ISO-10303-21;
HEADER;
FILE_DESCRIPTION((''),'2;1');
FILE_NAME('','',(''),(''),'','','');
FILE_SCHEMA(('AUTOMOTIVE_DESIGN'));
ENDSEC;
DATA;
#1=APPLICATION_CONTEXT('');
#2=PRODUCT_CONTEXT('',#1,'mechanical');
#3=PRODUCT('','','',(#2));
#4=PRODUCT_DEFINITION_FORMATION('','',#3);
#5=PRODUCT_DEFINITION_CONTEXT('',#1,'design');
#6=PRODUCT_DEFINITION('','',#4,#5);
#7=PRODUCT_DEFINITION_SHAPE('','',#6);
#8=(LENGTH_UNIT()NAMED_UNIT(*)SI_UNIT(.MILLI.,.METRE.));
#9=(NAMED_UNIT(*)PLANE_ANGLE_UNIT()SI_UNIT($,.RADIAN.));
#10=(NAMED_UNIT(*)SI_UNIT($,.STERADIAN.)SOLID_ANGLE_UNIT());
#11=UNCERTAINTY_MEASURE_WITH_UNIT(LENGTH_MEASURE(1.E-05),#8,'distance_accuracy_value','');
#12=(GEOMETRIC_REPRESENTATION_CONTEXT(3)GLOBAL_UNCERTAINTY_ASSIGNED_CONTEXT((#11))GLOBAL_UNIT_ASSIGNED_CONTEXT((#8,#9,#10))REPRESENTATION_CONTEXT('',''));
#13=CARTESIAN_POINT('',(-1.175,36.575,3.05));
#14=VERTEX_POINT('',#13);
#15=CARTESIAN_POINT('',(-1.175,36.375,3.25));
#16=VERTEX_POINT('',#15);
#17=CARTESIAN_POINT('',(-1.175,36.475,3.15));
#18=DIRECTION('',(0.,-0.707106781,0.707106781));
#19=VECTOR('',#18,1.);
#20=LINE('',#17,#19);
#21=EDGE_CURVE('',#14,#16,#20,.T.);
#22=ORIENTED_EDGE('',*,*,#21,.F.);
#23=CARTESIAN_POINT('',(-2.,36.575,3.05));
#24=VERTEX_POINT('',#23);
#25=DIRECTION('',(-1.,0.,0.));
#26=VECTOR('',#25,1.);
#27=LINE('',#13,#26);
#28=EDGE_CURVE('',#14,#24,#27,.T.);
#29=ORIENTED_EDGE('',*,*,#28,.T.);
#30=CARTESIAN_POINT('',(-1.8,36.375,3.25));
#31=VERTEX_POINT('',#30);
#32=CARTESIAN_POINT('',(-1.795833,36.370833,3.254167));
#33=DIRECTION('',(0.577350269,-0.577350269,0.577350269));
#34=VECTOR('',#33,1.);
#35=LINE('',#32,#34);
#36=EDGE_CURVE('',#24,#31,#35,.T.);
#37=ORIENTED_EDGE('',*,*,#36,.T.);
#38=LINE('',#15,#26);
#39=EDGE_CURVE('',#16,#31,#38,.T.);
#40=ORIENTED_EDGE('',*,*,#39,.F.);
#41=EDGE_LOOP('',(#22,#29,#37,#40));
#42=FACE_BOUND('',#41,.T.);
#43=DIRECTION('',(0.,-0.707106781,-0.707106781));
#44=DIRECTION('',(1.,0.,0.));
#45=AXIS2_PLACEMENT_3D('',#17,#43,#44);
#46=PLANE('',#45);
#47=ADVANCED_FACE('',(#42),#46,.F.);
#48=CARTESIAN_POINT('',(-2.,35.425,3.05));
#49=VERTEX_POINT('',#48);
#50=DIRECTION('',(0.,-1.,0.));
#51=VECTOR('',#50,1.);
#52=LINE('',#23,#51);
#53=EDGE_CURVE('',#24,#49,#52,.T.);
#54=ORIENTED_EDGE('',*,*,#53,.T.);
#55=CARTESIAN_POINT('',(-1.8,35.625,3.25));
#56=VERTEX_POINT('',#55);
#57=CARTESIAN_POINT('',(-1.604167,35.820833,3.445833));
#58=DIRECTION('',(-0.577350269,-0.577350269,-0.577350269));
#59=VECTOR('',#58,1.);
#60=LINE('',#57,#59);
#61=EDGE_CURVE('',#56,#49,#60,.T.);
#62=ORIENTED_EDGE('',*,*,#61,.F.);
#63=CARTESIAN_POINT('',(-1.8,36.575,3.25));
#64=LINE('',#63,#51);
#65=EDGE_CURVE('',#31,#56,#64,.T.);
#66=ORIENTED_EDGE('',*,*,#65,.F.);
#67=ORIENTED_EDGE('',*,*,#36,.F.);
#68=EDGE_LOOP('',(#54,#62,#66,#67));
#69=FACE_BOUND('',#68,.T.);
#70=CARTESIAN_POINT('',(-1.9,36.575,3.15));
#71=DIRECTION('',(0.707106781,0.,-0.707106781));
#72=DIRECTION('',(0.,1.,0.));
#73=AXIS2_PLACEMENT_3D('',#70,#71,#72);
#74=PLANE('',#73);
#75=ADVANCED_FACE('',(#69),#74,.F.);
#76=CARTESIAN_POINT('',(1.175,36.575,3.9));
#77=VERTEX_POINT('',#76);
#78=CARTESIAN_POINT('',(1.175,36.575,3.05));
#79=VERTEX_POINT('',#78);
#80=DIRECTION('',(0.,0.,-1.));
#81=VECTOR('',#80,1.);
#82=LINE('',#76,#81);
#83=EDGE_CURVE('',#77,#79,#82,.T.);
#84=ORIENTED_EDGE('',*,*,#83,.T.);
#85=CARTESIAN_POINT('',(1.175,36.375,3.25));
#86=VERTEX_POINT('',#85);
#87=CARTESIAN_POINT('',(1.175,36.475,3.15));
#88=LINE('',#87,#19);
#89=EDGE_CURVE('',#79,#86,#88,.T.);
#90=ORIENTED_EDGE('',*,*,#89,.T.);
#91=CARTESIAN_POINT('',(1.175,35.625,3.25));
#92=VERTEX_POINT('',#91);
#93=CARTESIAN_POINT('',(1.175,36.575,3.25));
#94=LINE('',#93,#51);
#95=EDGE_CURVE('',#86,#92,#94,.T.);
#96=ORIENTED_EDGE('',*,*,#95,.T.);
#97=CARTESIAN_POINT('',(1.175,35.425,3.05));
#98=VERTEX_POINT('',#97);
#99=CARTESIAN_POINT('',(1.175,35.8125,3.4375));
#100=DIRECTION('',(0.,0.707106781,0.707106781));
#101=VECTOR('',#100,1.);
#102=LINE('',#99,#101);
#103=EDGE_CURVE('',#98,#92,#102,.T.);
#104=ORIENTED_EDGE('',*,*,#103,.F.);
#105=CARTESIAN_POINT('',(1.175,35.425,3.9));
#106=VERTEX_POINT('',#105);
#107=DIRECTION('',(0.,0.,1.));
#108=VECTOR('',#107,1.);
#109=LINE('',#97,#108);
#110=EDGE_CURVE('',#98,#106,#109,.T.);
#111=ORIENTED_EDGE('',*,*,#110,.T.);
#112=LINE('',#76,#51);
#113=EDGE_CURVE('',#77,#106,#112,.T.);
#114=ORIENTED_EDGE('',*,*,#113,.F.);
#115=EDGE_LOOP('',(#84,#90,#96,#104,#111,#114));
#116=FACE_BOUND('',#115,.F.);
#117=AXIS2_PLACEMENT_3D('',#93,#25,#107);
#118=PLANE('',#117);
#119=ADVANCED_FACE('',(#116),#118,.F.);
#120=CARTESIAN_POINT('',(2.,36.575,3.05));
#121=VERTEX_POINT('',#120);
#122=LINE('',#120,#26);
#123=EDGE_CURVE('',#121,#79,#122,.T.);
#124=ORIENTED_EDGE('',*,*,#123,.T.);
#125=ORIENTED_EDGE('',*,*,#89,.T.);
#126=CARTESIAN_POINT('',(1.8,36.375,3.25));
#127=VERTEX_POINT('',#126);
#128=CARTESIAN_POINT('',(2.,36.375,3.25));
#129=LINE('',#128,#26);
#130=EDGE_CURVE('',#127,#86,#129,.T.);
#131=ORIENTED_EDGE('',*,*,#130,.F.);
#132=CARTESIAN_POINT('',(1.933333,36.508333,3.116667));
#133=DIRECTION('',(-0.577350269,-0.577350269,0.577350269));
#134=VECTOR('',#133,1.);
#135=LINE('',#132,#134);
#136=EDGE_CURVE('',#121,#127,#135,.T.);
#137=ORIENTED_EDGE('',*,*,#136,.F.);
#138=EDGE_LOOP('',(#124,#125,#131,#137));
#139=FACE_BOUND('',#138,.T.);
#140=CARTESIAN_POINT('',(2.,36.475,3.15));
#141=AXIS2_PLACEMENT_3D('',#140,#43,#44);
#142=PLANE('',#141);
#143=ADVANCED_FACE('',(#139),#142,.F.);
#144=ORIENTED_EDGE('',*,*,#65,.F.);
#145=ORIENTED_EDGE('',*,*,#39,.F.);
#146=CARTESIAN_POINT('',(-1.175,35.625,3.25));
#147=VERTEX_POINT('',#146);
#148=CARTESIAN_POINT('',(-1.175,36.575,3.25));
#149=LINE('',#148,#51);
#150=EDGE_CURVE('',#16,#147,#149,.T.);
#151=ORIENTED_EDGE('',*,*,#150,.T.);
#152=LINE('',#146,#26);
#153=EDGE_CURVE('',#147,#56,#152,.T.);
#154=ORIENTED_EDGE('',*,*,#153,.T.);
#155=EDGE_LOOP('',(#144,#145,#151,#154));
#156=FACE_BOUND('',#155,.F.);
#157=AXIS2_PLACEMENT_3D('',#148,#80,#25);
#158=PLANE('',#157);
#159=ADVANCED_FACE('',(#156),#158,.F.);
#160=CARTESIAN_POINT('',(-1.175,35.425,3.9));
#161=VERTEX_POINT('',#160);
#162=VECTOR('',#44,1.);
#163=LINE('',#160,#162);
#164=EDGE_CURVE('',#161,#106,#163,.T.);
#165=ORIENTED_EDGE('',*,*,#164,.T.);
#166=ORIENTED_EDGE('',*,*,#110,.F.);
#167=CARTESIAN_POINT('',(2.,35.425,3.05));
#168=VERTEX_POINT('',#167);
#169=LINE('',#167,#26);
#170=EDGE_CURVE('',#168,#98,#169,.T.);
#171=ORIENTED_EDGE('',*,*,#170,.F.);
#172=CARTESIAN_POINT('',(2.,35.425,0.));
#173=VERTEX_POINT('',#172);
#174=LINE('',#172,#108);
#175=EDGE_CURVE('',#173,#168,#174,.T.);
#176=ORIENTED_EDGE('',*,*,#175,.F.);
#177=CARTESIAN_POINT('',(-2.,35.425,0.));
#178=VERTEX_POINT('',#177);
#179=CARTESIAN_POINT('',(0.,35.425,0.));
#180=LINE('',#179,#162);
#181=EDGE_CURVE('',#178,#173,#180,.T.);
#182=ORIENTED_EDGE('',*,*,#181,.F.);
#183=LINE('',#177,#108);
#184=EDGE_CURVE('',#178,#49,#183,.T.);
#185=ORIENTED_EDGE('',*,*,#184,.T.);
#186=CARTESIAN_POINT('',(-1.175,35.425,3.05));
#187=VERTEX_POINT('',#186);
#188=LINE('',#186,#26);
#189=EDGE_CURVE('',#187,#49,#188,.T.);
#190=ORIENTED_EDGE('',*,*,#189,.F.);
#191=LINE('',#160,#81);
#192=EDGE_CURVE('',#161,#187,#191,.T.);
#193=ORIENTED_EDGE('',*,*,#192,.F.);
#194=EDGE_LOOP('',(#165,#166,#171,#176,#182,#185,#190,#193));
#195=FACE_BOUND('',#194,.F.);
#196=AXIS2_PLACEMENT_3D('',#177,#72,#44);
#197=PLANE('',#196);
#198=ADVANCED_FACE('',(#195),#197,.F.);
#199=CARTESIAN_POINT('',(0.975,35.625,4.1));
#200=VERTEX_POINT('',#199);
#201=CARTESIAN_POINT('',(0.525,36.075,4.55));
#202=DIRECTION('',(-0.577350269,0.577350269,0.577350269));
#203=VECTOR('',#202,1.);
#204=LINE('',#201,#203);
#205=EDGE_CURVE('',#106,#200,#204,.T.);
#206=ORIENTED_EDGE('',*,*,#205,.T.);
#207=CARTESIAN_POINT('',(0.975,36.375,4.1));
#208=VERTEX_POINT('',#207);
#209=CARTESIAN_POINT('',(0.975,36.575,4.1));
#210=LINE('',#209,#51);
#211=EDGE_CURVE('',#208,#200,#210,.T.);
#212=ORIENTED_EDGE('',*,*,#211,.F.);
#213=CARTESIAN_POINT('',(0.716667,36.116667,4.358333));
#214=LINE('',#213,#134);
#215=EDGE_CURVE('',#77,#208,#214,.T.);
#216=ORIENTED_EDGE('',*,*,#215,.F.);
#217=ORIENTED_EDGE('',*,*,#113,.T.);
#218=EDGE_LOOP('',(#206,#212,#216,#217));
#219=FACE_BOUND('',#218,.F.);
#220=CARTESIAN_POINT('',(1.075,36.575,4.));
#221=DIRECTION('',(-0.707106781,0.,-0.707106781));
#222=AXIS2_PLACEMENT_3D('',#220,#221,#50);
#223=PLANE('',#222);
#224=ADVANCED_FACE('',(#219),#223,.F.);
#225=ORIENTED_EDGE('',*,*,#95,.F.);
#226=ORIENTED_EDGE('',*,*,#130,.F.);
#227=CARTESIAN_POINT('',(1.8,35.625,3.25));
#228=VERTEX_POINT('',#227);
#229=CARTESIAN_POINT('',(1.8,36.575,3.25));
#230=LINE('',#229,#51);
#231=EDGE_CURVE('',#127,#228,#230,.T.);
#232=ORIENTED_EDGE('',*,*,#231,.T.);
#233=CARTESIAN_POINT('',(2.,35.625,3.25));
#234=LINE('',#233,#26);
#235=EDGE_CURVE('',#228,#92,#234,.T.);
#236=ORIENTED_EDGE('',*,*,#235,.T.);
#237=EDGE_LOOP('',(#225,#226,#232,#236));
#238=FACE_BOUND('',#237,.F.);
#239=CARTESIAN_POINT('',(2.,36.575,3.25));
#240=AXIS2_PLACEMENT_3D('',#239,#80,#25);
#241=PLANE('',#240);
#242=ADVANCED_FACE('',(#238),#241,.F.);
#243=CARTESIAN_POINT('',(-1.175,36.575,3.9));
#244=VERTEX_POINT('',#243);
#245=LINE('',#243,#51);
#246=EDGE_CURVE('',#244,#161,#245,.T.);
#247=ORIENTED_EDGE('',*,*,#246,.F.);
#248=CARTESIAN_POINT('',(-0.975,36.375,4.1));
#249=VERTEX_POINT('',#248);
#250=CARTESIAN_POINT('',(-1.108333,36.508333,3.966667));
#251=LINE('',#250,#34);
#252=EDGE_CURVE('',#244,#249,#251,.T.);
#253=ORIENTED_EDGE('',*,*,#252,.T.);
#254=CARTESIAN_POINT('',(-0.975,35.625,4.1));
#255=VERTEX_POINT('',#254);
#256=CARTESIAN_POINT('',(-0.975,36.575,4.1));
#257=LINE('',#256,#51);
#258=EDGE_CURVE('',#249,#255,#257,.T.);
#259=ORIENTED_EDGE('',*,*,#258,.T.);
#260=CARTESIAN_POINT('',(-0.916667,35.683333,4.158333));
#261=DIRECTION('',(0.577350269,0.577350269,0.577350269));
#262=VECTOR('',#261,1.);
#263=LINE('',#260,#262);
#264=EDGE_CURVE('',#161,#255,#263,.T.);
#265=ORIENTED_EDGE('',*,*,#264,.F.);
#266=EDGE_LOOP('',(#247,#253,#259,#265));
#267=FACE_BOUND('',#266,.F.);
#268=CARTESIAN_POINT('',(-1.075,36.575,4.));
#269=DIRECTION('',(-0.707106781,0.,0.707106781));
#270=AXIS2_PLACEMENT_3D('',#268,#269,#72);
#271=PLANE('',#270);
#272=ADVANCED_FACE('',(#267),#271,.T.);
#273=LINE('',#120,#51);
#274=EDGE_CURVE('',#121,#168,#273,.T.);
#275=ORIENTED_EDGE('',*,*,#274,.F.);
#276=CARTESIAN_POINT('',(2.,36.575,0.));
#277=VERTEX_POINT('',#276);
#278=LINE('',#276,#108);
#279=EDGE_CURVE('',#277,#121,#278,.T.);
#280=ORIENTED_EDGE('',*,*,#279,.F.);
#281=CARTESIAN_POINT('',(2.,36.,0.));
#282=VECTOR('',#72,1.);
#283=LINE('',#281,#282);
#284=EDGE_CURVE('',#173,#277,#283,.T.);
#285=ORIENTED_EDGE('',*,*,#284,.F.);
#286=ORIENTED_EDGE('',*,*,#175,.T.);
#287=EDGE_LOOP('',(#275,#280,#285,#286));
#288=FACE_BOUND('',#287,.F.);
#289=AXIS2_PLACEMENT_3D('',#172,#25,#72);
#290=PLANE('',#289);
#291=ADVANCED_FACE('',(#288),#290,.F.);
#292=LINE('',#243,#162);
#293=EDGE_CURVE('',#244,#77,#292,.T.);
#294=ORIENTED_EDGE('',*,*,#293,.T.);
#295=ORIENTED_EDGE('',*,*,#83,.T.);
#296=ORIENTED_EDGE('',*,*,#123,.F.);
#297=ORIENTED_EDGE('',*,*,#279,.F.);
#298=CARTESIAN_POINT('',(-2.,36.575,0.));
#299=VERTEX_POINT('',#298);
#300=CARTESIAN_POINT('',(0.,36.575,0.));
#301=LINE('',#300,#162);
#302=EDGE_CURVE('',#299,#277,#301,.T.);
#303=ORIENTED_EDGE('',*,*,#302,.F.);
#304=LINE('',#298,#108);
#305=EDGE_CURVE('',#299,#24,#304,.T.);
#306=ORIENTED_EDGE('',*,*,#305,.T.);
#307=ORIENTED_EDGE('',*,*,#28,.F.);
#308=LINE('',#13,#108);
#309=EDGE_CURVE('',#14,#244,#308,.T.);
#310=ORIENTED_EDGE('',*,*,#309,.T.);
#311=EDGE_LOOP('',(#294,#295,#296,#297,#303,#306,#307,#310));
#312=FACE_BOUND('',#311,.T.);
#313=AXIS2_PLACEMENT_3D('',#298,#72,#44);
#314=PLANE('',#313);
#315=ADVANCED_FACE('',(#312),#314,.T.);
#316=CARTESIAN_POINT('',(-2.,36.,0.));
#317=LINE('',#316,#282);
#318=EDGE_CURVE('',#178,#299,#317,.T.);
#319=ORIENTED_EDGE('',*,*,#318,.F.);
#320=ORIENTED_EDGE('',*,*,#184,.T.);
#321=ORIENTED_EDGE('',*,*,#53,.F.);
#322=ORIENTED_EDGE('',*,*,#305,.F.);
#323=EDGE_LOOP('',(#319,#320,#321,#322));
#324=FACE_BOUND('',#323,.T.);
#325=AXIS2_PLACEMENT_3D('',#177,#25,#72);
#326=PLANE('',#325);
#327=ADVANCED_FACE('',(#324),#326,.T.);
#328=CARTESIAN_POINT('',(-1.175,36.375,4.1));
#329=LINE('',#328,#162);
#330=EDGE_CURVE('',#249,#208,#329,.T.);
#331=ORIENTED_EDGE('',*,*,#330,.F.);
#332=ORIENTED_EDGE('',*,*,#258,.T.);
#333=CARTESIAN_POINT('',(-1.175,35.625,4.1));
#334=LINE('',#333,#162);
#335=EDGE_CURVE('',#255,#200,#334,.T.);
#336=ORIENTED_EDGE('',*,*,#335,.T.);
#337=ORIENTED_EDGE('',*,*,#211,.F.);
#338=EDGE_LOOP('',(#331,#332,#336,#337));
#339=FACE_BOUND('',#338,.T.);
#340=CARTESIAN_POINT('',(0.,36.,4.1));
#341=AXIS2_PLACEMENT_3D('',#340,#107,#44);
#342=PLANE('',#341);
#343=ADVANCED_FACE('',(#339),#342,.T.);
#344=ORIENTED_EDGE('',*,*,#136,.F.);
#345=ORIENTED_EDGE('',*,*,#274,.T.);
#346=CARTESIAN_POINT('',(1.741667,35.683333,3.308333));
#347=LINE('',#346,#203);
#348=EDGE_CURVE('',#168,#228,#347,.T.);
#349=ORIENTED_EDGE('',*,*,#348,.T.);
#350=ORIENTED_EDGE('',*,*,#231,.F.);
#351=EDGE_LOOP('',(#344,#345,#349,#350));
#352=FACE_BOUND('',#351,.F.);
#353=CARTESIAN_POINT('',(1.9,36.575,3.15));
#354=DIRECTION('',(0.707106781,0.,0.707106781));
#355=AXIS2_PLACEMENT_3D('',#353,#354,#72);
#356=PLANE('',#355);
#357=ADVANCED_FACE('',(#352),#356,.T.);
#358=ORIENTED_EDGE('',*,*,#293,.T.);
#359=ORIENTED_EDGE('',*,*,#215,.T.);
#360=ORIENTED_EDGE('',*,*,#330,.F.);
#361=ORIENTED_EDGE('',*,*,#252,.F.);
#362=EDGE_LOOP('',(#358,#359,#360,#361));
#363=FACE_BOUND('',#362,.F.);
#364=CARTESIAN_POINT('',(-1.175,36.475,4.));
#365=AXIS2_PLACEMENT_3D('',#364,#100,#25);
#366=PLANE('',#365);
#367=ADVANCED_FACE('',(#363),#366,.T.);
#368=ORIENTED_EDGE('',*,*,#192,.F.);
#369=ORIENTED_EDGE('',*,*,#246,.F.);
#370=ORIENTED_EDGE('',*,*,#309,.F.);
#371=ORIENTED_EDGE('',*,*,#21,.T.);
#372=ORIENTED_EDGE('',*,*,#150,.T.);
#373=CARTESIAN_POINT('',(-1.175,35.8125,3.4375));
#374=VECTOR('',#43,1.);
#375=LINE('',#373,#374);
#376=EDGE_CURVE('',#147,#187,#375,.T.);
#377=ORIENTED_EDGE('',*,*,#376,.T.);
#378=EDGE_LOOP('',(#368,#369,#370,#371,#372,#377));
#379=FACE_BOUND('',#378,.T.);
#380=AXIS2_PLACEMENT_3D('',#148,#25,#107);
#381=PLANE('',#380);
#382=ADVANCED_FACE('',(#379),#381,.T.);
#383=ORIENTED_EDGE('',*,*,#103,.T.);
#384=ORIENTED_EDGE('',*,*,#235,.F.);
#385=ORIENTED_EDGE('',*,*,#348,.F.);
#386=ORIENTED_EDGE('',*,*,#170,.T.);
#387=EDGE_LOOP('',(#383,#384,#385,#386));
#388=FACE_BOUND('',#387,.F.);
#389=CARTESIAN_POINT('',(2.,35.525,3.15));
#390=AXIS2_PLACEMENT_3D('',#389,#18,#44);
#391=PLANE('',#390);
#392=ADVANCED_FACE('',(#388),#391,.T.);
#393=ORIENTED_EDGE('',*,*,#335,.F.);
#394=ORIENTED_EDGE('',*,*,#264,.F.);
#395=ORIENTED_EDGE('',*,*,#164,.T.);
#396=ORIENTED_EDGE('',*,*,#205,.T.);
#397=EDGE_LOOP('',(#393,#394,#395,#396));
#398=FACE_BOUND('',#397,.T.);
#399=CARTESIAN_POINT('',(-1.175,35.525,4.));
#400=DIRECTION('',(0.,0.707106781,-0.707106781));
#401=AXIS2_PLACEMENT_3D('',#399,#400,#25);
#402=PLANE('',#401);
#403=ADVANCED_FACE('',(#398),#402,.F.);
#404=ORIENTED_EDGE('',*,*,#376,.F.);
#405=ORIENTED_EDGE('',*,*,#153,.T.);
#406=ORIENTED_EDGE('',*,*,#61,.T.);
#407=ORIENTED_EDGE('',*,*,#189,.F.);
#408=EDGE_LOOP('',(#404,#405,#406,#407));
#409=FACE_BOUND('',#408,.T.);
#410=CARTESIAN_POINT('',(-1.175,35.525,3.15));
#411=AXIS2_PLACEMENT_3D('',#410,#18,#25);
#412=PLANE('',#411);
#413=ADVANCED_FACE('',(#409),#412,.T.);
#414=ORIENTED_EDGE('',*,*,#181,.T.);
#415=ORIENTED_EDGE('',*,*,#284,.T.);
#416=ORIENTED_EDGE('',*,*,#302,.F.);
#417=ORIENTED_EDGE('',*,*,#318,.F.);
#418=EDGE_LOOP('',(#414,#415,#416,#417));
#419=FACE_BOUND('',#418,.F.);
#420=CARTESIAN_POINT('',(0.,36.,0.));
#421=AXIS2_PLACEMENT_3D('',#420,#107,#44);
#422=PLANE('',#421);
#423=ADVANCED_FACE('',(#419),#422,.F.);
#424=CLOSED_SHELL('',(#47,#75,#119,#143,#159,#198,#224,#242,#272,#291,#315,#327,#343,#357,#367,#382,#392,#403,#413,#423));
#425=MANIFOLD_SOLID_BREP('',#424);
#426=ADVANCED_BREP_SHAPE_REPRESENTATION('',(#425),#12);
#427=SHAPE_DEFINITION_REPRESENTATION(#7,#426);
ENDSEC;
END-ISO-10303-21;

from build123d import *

# Parameters (mm, degrees)
SKETCH008_W     = 4
SKETCH008_H     = 1.15
PAD005_DEPTH    = 4.1
SKETCH009_W     = 0.825
SKETCH009_H     = 0.85
POCKET002_DEPTH = 5
CHAMFER005_SIZE = 0.2


with BuildPart() as part:
    # Sketch008 → Pad005 (new body)
    with BuildSketch(Plane.XY):
        Rectangle(SKETCH008_W, SKETCH008_H)
    extrude(amount=PAD005_DEPTH)

    # Sketch009 (on Face1 of Pad005) → Pocket002 (cut)
    with BuildSketch(Plane(origin=(0, 0.575, 0), x_dir=(-1, 0, 0), z_dir=(0, 1, 0))):
        with Locations((-1.5875, 3.675)):
            Rectangle(SKETCH009_W, SKETCH009_H)
        with Locations((1.5875, 3.675)):
            Rectangle(SKETCH009_W, SKETCH009_H)
    extrude(amount=-POCKET002_DEPTH, mode=Mode.SUBTRACT)

    # Chamfer005
    chamfer005_edges = [part.edges().sort_by_distance(p)[0] for p in [
        (0, 0.575, 4.1),
        (0, -0.575, 4.1),
        (1.5875, 0.575, 3.25),
        (-1.5875, 0.575, 3.25),
        (-1.5875, -0.575, 3.25),
        (1.5875, -0.575, 3.25),
        (2, 0, 3.25),
        (-2, 0, 3.25),
        (1.175, 0, 4.1),
        (-1.175, 0, 4.1),
    ]]
    chamfer(chamfer005_edges, length=CHAMFER005_SIZE)


with BuildPart() as part_1:
    # Body040 placement: moved
    add(part.part.moved(Location((0, 36, 0))))


solid = part_1.part
